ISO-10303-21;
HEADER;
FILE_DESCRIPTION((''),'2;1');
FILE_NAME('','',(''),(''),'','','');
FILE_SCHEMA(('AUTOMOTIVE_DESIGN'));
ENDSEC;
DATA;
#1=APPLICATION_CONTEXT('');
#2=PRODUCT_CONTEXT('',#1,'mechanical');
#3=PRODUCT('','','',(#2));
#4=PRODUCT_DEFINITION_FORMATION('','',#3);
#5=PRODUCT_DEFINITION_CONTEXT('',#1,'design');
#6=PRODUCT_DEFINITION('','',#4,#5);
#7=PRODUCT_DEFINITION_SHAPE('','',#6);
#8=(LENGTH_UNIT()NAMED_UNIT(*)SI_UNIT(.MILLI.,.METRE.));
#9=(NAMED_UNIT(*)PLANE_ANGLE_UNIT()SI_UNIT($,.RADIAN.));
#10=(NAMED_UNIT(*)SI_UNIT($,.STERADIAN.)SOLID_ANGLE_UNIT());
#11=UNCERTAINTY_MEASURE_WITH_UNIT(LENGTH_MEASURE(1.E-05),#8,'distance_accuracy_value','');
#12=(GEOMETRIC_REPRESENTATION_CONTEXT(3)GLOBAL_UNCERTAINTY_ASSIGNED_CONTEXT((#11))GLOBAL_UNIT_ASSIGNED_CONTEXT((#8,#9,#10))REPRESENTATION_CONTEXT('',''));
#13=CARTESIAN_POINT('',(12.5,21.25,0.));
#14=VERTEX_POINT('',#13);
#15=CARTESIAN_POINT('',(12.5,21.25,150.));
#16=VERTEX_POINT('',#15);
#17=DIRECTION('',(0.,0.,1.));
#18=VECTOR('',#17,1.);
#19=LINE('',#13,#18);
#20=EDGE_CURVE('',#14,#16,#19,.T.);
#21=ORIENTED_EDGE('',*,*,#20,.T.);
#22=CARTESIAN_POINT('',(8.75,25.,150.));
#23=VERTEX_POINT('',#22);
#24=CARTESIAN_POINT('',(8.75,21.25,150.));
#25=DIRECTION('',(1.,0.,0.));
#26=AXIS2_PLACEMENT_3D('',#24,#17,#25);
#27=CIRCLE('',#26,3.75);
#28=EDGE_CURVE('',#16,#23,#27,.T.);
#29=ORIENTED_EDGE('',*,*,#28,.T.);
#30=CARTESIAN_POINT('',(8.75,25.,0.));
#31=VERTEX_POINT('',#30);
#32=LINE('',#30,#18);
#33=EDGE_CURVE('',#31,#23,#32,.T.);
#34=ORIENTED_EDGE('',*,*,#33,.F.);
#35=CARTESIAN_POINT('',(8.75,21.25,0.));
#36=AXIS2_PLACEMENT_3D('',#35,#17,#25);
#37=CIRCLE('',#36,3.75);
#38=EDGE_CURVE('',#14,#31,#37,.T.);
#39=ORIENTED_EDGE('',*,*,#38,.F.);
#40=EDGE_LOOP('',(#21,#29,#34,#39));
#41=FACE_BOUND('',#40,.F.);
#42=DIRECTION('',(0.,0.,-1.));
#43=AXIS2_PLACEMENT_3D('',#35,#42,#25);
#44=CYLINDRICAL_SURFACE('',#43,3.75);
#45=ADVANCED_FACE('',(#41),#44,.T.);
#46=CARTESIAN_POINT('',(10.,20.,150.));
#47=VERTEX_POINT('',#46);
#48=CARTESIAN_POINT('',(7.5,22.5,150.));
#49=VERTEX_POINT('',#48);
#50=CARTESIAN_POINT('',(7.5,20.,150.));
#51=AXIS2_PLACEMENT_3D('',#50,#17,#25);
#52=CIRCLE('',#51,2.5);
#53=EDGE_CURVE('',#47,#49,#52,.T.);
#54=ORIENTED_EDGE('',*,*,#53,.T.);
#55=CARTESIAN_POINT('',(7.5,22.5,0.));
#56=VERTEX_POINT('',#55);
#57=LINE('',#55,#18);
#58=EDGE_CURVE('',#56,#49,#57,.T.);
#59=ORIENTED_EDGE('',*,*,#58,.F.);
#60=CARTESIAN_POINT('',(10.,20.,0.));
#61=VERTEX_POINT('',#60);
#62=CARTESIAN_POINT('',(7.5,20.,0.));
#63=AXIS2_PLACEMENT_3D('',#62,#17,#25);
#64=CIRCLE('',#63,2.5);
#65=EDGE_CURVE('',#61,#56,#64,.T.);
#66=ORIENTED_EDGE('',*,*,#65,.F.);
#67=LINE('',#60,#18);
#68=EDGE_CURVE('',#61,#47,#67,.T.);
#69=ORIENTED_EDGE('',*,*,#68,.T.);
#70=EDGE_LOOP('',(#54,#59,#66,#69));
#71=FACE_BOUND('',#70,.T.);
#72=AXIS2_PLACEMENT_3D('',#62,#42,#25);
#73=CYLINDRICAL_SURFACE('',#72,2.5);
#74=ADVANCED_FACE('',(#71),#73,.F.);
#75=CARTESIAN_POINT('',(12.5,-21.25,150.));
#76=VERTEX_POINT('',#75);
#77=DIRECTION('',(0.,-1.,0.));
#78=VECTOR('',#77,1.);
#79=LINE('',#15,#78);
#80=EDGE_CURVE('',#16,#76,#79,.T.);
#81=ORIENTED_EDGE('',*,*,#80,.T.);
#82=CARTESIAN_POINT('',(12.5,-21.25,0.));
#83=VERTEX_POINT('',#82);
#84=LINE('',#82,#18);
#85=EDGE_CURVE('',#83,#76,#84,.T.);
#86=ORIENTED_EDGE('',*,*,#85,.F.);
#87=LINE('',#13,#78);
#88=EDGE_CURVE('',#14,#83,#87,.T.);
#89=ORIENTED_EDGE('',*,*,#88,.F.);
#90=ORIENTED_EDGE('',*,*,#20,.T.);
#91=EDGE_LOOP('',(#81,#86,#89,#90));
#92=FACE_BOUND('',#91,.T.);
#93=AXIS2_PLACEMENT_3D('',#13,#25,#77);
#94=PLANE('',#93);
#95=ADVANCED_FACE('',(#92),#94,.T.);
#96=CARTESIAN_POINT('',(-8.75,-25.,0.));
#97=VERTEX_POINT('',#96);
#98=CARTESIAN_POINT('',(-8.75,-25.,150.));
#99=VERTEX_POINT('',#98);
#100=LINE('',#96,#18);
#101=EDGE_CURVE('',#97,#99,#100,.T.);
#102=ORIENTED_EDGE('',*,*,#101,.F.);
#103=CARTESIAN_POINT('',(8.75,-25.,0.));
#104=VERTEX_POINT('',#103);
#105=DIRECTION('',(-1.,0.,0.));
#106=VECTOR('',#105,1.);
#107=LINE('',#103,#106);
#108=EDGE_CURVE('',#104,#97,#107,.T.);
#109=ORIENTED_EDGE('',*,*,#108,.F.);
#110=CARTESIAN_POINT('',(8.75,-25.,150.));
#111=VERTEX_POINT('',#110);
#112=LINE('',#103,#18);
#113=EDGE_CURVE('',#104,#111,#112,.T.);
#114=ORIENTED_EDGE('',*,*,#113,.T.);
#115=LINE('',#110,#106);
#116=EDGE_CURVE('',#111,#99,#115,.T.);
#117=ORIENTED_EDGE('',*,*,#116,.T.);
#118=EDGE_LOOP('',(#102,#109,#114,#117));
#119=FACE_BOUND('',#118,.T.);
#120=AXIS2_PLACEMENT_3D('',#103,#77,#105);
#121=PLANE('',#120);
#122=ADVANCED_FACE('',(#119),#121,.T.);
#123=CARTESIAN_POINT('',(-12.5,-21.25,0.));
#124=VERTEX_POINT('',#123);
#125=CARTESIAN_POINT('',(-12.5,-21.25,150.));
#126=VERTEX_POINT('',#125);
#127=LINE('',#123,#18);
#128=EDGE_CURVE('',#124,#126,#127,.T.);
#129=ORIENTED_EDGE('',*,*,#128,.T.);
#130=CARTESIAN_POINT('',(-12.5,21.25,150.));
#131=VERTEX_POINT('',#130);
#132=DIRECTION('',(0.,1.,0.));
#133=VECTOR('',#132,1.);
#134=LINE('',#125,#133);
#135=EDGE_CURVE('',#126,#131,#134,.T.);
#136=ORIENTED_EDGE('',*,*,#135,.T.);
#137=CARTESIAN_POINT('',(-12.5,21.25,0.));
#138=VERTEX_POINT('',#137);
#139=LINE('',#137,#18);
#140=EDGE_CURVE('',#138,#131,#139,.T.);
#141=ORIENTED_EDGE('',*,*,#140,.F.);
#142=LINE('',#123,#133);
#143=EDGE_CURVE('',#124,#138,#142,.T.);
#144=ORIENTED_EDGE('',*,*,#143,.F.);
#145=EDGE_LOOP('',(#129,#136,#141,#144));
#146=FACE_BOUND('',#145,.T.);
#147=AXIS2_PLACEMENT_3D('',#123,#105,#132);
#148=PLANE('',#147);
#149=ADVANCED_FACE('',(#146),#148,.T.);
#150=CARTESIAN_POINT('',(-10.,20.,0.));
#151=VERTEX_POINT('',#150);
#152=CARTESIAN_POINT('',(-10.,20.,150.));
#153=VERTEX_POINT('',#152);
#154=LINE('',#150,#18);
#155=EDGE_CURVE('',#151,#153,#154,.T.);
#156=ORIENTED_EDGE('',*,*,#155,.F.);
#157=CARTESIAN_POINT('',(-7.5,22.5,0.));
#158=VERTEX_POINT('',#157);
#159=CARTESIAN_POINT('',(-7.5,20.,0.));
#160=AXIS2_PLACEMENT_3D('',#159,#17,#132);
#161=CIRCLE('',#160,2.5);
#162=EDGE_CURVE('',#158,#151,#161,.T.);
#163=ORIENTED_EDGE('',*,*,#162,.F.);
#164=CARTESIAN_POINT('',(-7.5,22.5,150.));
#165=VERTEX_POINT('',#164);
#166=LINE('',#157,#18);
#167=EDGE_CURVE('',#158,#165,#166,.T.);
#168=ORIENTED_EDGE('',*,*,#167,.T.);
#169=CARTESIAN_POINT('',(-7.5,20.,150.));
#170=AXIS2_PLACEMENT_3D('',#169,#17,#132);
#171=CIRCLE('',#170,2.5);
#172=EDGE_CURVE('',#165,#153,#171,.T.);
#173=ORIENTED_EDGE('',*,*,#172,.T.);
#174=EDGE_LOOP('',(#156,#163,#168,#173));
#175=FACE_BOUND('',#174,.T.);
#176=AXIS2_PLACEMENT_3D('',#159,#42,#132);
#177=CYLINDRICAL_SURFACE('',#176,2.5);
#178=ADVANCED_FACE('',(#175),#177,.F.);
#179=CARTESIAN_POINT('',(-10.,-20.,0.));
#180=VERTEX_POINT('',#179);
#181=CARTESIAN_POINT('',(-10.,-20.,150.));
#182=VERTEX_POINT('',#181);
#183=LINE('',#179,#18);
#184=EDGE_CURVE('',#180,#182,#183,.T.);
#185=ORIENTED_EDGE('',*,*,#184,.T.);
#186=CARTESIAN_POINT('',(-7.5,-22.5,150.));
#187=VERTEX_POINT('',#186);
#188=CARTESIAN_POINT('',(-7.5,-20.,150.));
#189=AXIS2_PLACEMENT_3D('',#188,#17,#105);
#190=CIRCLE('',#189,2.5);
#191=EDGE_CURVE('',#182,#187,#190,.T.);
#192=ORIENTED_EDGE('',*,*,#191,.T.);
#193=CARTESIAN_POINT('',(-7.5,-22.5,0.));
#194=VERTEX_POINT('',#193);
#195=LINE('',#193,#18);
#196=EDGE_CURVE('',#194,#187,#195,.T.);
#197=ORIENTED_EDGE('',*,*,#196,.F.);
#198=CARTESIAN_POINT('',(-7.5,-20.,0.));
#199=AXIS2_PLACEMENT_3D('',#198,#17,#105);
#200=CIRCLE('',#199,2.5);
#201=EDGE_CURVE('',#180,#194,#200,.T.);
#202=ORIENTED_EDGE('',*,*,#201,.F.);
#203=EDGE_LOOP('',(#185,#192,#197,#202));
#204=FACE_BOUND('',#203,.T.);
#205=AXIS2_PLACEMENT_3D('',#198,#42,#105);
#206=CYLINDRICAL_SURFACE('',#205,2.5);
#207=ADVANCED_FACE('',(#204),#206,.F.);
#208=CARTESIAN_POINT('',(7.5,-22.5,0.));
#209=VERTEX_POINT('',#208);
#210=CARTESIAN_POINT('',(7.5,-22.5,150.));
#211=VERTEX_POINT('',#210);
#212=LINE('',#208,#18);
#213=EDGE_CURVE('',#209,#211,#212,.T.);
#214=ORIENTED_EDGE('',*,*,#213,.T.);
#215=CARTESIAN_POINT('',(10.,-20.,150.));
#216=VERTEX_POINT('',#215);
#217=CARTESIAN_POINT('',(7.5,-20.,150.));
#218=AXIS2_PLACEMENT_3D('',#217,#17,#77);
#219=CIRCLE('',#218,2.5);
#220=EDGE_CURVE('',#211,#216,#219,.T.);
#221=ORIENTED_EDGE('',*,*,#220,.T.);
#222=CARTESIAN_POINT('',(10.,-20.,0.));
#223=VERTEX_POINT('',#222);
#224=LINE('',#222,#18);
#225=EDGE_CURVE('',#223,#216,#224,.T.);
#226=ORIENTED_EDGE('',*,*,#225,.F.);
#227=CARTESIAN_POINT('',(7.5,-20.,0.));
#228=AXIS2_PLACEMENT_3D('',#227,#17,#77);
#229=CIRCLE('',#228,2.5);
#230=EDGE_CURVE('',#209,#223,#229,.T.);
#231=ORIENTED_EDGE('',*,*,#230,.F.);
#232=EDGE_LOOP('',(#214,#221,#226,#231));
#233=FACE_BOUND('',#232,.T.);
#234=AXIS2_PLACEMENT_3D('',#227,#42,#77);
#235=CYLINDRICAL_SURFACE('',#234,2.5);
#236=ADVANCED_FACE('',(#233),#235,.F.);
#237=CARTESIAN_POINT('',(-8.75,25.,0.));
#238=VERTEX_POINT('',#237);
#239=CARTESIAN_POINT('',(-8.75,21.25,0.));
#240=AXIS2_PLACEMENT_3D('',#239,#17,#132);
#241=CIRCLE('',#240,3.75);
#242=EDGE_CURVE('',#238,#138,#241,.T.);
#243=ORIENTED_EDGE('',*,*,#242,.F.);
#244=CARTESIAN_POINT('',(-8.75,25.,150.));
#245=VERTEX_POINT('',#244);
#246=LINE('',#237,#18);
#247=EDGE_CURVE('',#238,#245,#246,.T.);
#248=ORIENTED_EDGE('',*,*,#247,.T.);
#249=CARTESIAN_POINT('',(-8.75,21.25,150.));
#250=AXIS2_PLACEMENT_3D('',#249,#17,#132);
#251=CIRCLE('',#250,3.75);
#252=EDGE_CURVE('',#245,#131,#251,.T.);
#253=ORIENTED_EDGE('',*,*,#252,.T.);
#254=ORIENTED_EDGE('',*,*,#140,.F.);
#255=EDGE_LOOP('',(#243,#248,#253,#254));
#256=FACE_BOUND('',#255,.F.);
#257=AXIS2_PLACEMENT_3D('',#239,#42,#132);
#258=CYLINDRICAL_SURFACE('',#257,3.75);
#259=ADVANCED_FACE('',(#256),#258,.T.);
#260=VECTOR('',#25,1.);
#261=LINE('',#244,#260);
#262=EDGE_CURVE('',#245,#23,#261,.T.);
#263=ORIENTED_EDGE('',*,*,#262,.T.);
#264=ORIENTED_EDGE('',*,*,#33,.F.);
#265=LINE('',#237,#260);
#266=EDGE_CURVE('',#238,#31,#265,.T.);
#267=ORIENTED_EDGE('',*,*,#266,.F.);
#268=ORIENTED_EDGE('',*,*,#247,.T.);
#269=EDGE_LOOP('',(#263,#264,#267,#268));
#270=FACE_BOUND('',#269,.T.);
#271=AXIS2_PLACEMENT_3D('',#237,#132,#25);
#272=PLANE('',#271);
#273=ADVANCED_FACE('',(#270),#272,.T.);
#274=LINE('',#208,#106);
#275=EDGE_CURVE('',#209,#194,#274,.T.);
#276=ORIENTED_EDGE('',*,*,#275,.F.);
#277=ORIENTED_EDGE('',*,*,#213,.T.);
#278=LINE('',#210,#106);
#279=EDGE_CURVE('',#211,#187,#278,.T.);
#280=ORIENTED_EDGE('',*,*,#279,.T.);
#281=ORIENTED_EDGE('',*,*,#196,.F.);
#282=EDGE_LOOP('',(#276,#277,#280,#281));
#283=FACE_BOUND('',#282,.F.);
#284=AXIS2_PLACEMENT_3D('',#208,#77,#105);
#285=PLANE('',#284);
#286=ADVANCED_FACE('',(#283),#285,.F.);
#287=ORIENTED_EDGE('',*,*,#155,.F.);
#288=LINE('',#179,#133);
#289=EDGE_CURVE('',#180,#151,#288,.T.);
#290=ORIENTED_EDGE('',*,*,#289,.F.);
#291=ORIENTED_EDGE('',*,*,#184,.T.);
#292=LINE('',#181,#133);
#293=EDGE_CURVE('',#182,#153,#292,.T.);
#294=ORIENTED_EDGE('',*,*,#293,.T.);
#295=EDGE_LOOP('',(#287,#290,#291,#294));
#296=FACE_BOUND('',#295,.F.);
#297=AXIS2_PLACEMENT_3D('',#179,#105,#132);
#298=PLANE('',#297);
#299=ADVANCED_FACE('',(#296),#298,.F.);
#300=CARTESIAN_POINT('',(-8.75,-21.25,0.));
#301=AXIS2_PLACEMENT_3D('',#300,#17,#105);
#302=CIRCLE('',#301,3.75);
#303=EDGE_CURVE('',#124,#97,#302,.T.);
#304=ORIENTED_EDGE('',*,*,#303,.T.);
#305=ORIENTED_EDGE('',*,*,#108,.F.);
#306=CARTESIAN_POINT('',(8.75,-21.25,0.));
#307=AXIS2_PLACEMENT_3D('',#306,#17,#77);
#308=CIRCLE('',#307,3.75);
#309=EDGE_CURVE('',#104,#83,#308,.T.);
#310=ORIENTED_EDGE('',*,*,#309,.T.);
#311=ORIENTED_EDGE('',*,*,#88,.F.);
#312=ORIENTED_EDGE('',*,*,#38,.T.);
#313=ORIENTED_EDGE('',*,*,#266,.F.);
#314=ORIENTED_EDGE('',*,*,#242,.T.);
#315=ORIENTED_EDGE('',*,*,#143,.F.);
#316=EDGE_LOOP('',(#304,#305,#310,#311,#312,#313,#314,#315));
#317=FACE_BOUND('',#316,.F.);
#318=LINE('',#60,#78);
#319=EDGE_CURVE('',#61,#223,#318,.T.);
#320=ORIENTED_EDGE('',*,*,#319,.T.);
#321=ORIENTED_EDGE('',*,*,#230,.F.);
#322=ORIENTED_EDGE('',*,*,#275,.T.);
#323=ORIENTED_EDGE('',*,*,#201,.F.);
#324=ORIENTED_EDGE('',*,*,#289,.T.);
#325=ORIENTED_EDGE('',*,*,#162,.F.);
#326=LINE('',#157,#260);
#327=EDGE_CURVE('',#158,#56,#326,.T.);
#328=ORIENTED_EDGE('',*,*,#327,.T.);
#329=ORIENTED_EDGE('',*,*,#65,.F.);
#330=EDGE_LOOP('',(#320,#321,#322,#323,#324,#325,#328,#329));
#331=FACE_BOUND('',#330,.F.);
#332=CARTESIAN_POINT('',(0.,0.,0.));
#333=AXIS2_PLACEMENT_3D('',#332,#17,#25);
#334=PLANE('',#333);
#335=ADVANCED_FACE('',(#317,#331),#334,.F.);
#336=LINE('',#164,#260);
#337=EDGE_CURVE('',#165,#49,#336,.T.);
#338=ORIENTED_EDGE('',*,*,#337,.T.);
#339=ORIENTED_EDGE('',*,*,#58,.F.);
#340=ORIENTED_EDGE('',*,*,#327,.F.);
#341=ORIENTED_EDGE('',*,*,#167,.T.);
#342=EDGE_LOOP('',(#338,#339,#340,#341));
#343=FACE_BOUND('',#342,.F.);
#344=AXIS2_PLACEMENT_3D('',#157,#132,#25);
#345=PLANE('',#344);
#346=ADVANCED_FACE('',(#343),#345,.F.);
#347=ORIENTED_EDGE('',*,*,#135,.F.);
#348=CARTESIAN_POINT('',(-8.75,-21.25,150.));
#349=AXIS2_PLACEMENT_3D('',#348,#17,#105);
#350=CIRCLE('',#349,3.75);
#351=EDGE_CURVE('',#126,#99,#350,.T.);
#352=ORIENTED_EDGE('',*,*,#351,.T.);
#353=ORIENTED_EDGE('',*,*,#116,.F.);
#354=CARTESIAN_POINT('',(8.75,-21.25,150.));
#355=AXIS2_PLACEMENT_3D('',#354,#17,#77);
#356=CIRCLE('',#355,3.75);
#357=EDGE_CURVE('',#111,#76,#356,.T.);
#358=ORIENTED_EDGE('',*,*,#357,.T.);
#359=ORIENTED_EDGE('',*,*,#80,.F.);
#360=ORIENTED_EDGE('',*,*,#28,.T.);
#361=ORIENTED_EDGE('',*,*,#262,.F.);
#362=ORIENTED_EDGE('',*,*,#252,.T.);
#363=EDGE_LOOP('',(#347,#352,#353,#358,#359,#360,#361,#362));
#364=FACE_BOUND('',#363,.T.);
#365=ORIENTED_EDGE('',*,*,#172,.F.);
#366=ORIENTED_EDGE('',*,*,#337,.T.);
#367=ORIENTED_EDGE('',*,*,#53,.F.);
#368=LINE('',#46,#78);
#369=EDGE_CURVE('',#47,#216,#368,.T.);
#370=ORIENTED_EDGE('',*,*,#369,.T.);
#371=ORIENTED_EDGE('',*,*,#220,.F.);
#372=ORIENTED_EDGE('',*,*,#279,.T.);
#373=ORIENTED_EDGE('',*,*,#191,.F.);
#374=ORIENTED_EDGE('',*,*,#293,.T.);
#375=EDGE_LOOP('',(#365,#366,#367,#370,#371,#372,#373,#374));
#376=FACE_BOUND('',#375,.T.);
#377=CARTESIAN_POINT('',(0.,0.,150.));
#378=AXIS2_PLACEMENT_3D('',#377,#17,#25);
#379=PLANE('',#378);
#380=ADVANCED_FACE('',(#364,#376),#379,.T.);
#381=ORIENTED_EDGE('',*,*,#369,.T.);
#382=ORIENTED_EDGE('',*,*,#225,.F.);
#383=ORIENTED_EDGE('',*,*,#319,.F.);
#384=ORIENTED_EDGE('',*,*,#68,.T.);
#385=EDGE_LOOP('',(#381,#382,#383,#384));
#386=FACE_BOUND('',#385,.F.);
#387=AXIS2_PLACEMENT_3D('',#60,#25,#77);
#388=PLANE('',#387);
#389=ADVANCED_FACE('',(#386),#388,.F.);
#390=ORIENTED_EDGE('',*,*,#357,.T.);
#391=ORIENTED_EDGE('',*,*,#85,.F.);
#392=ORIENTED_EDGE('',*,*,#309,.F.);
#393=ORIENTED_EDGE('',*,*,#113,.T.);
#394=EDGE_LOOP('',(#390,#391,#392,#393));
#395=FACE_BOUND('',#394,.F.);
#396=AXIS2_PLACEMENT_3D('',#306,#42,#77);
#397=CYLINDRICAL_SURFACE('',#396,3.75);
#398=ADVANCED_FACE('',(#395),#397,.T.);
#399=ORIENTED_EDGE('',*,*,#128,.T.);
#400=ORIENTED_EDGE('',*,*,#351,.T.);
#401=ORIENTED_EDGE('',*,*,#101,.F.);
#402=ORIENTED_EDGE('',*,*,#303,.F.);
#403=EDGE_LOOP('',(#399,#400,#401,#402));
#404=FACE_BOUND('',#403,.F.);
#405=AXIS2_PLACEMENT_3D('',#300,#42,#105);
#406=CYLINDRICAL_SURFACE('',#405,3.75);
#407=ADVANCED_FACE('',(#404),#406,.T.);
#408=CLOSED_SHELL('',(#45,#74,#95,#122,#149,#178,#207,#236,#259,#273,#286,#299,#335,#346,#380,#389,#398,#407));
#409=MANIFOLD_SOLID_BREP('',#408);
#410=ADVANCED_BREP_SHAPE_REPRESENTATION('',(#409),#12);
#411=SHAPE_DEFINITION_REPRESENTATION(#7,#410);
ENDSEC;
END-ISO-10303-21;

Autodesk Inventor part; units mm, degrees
ref_plane "YZ Plane" through (0, 0, 0) normal (1, 0, 0) x (0, 1, 0)
ref_plane "Plano inicial" through (0, 0, 0) normal (0, 0, 1) x (1, 0, 0)
ref_plane "Plano final" through (0, 0, 150) normal (0, 0, 1) x (1, 0, 0)
sketch "Esboço" plane through (0, 0, 0) normal (0, 0, 1) x (1, 0, 0)
  line L0 (-12.5, -21.25) -> (-12.5, 21.25)
  line L1 (-8.75, 25) -> (8.75, 25)
  line L2 (12.5, 21.25) -> (12.5, -21.25)
  line L3 (8.75, -25) -> (-8.75, -25)
  arc A0 (-12.5, -21.25) -> (-8.75, -25) centre (-8.75, -21.25) ccw
  arc A1 (-8.75, 25) -> (-12.5, 21.25) centre (-8.75, 21.25) ccw
  arc A2 (12.5, 21.25) -> (8.75, 25) centre (8.75, 21.25) ccw
  arc A3 (8.75, -25) -> (12.5, -21.25) centre (8.75, -21.25) ccw
  line L4 (-7.5, 22.5) -> (7.5, 22.5)
  line L5 (10, 20) -> (10, -20)
  line L6 (7.5, -22.5) -> (-7.5, -22.5)
  line L7 (-10, -20) -> (-10, 20)
  line L8 (0, 36.0873) -> (0, -36.0873) construction
  line L9 (-18.5873, 0) -> (18.5873, 0) construction
  arc A4 (-10, -20) -> (-7.5, -22.5) centre (-7.5, -20) ccw
  arc A5 (-7.5, 22.5) -> (-10, 20) centre (-7.5, 20) ccw
  arc A6 (10, 20) -> (7.5, 22.5) centre (7.5, 20) ccw
  arc A7 (7.5, -22.5) -> (10, -20) centre (7.5, -20) ccw
  dimension "d7" = 3.75
  dimension "d10" = 50
  dimension "d11" = 25
  dimension "d12" = 2.5
  dimension "d15" = 25
  dimension "d16" = 12.5
  dimension "d19" = 2.5
  dimension "d20" = 2.5
extrude "Corpo" add sketch "Esboço" along normal up to surface (150 mm away) from surface at 0
sketch "Sketch3" plane through (0, 0, 0) normal (0, 0, 1) x (1, 0, 0)
  line L0 (0, 0) -> (10, 0)
ref_plane "Work Plane3" through (0, 0, 0) normal (0, -1, 0) x (1, 0, 0)
sketch "Sketch4" plane through (0, 0, 0) normal (0, -1, 0) x (1, 0, 0)
  line L0 (-2, 0) -> (12, 0)
  line L1 (-2, 150) -> (12, 150)
  dimension "d18" = 150
equation "\"d7\" = G_IR"
equation "\"d10\" = G_H"
equation "\"d11\" = G_W"
equation "\"d12\" = G_T"
equation "\"d15\" = 0.5 * d10"
equation "\"d16\" = 0.5 * d11"
equation "\"d19\" = G_T"
equation "\"d20\" = G_T"
equation "\"d3\" = G_L"
equation "\"G_W\" = 25"
equation "\"G_H\" = 50"
equation "\"G_T\" = 2.5"
equation "\"G_IR\" = 3.75"
equation "\"G_L\" = d18"
equation "\"G_OFFSET_START\" = 0"
equation "\"G_OFFSET_END\" = 0"
properties part number "EN 10210-2 - 50 x 25 x 2,5 - 150" material "Aço, suave"
